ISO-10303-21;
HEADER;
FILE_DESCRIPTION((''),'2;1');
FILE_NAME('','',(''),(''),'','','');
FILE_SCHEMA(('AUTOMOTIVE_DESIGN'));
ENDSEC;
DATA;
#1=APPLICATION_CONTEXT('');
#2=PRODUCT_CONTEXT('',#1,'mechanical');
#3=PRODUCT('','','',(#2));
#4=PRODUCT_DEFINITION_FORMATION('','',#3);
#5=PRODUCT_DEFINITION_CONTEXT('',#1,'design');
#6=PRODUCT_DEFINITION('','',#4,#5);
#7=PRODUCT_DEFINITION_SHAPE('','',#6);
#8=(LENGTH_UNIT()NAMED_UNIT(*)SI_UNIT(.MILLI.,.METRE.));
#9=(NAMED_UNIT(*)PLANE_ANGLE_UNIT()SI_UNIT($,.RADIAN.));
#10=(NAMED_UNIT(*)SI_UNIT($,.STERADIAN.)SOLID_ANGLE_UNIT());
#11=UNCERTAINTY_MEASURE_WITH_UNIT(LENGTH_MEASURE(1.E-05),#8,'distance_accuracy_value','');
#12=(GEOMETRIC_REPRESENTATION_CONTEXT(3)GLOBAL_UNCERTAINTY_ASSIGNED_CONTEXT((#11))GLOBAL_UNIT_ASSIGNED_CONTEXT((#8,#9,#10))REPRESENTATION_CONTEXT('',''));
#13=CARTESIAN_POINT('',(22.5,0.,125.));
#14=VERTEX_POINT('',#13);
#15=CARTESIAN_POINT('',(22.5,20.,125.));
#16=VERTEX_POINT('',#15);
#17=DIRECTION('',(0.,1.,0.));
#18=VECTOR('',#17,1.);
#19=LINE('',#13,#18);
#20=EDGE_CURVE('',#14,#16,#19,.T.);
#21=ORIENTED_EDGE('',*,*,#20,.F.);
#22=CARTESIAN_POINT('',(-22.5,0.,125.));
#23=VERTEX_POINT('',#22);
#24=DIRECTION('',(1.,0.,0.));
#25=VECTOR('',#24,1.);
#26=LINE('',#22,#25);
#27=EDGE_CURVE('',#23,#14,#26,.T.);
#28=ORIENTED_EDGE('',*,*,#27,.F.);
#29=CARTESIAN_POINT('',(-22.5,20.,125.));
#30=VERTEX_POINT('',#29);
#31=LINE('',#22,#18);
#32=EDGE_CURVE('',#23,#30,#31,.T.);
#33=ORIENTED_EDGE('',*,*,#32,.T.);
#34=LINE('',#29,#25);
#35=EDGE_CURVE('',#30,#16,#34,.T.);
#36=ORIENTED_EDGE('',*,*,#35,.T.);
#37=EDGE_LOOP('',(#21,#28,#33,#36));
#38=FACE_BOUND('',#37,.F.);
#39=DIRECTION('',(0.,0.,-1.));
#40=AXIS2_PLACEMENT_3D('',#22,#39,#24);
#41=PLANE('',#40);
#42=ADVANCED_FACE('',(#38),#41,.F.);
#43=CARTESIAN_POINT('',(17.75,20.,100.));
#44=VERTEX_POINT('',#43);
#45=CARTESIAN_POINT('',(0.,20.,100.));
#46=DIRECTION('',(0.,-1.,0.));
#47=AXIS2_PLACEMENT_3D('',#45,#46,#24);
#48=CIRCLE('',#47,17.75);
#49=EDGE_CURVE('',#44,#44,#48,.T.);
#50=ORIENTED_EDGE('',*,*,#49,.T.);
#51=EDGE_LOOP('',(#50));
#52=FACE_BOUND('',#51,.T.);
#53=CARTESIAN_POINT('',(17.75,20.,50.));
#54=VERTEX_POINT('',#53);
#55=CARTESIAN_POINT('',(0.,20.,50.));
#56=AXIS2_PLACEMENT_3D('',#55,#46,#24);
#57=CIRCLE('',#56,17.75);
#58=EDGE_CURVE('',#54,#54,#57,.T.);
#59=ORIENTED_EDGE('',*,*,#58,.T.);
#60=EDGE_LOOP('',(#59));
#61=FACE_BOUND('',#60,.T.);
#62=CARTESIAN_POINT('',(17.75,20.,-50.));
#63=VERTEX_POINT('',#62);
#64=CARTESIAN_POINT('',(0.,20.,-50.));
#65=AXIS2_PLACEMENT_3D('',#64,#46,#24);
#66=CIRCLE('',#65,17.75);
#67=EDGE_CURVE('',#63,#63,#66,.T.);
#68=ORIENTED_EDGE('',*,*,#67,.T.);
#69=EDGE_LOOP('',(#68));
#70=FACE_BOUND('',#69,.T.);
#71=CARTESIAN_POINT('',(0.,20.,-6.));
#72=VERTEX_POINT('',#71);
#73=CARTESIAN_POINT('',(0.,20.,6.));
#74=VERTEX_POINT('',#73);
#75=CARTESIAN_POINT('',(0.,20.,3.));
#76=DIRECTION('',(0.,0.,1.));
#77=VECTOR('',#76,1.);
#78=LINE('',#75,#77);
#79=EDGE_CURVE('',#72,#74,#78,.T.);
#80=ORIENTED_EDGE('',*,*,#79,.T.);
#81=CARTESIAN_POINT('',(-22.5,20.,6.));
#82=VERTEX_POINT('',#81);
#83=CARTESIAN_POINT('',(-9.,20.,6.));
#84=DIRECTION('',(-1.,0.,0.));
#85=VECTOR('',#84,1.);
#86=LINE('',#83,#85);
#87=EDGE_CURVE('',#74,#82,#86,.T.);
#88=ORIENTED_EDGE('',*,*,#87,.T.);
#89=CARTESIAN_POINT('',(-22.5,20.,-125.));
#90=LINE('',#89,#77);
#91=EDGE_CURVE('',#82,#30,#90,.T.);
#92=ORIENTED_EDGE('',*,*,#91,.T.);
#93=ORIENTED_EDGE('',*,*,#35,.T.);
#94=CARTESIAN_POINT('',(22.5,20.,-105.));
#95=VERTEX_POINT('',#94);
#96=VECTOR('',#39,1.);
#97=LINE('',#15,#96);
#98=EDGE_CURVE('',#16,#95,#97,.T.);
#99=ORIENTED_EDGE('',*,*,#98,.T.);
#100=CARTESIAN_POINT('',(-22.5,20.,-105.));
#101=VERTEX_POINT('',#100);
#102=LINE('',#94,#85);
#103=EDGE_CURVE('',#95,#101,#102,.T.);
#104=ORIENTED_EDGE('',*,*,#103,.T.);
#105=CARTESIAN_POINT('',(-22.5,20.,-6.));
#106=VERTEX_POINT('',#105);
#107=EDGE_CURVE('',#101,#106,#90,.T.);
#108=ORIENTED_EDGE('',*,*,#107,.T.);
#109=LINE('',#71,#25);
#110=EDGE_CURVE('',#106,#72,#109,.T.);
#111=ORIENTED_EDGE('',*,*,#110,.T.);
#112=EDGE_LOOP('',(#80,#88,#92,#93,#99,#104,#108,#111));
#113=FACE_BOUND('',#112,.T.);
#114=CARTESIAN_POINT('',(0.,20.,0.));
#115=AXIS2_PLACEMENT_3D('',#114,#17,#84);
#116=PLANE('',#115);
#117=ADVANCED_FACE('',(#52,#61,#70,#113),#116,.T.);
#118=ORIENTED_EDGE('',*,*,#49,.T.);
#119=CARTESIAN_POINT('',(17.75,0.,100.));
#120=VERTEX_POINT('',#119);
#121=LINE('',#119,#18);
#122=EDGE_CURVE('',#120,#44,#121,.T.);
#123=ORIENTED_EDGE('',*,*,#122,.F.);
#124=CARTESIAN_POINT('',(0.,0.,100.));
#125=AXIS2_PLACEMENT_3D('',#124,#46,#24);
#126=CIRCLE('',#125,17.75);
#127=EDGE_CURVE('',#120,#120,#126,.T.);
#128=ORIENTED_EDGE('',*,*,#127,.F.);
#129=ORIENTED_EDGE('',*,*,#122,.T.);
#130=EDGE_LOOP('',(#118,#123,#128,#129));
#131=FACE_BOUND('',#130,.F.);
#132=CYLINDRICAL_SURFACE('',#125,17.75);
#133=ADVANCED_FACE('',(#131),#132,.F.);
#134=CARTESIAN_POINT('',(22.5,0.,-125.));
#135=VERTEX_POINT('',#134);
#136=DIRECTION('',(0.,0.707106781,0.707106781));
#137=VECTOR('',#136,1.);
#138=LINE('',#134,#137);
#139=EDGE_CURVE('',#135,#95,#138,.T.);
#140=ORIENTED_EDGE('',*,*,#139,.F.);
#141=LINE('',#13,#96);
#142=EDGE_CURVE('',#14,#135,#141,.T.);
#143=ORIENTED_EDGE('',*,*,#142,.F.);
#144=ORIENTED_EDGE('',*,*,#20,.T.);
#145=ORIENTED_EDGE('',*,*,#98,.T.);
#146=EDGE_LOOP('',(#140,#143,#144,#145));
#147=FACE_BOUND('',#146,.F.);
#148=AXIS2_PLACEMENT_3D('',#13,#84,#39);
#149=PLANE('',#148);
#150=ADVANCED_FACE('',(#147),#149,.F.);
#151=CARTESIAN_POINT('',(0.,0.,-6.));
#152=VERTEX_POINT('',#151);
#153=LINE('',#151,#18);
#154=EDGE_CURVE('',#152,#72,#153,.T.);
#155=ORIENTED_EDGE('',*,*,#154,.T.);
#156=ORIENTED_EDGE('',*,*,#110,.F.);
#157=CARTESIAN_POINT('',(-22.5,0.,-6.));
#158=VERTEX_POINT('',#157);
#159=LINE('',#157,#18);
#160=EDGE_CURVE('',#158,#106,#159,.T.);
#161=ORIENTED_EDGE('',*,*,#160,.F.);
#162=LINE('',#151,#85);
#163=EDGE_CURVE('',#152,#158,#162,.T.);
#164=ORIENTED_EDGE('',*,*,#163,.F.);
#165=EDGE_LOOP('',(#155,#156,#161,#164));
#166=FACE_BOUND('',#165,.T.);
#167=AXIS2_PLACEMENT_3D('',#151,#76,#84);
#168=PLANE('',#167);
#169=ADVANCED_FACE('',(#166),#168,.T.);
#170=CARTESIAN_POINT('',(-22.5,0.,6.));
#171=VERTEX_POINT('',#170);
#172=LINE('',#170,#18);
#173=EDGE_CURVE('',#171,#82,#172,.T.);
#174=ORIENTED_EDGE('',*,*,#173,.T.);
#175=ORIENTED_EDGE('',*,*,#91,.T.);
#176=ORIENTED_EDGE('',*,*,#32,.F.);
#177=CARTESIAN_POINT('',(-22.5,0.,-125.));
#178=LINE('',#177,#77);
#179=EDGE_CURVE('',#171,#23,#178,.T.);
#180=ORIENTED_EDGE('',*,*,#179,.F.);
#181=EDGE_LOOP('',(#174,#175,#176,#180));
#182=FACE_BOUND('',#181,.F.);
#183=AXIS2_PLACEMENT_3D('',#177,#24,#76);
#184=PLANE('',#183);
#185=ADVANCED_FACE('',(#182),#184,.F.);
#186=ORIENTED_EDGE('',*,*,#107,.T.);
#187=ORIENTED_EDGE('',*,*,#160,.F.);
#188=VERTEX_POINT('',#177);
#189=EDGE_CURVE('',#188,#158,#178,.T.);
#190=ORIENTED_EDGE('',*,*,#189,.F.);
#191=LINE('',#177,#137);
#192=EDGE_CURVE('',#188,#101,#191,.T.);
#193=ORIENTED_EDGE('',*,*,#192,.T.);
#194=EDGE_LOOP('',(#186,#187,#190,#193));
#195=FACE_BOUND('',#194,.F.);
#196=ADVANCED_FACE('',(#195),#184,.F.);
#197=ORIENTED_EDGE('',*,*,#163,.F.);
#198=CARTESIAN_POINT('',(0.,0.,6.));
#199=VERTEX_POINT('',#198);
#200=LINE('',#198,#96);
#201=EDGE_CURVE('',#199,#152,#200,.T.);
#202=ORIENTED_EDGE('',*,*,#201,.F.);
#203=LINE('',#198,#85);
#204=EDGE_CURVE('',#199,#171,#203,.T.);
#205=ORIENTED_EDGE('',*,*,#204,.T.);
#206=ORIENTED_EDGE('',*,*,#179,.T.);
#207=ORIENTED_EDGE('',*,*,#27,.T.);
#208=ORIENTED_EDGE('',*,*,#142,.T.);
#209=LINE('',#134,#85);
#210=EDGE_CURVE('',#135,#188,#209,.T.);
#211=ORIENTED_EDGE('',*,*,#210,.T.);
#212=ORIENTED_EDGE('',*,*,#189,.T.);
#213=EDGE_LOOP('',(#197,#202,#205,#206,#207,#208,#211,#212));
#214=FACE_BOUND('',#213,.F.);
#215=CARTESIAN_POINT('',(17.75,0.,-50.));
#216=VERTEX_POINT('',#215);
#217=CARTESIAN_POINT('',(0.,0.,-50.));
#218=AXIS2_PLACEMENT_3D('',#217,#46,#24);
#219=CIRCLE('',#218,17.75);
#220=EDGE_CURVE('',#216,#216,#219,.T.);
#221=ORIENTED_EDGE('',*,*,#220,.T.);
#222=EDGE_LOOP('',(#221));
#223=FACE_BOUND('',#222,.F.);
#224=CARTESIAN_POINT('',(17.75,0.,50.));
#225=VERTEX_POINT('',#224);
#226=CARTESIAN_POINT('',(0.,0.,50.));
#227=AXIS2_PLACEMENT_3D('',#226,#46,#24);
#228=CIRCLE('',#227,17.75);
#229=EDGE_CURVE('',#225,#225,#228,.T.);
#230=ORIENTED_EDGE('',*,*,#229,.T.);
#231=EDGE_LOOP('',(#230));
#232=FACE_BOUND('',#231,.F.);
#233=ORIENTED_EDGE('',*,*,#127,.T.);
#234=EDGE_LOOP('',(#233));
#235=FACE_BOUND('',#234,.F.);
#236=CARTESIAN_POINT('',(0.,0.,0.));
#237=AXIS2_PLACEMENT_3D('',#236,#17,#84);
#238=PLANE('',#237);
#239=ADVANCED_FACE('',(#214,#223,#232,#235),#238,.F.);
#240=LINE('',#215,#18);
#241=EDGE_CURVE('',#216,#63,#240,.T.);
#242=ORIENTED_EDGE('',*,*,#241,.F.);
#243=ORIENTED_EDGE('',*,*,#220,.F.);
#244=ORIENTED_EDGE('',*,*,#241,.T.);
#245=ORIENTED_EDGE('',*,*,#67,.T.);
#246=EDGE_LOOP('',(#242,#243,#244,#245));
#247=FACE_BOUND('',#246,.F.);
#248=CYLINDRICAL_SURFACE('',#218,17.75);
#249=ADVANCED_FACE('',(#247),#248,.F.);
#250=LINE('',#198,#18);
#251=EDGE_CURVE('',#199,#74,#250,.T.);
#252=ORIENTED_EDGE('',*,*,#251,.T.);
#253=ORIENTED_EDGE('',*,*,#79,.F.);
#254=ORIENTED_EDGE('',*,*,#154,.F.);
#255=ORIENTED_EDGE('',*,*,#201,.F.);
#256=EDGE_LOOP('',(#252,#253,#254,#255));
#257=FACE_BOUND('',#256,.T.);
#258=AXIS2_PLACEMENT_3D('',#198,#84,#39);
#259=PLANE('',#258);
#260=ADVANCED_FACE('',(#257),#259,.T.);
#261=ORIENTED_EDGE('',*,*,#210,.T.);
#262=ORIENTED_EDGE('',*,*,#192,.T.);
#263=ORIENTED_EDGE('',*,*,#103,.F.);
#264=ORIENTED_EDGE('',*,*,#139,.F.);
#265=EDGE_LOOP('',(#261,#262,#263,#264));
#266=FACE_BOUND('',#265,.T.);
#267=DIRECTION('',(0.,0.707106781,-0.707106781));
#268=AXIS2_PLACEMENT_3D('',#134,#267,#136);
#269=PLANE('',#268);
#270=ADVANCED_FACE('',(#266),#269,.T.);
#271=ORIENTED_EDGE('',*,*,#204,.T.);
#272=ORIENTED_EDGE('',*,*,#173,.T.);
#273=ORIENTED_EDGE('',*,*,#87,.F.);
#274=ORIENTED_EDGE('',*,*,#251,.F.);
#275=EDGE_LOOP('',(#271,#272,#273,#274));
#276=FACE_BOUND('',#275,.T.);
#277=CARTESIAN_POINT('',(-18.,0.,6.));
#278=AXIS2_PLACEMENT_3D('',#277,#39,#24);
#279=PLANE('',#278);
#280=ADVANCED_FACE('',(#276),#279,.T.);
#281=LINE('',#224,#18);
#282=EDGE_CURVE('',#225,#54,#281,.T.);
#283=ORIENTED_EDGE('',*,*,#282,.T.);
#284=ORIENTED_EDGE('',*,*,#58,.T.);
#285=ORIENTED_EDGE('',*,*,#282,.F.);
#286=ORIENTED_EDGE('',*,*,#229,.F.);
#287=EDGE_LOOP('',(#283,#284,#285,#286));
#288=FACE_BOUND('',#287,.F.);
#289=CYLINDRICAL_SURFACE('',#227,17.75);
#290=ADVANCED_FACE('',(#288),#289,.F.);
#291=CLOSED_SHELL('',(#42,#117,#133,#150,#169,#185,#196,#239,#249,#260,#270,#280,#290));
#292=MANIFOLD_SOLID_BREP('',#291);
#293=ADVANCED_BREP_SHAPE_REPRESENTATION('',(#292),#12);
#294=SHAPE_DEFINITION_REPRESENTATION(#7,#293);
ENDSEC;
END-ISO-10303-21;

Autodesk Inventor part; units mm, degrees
ref_plane "YZ Plane" through (0, 0, 0) normal (1, 0, 0) x (0, 1, 0)
ref_plane "XZ Plane" through (0, 0, 0) normal (0, 1, 0) x (-1, 0, 0)
ref_plane "XY Plane" through (0, 0, 0) normal (0, 0, 1) x (1, 0, 0)
sketch "Sketch1" plane through (0, 0, 0) normal (0, 1, 0) x (-1, 0, 0)
  line L0 (22.5, 125) -> (-22.5, 125)
  line L1 (-22.5, 125) -> (-22.5, -125)
  line L2 (-22.5, -125) -> (22.5, -125)
  line L3 (22.5, -125) -> (22.5, 125)
  line L4 (22.5, 125) -> (-22.5, -125) construction
  line L5 (-22.5, 125) -> (22.5, -125) construction
  point P0 (0, 0)
  dimension "d0" = 250
  dimension "d1" = 45
extrude "Extrusion1" add sketch "Sketch1" along normal blind 20
sketch "Sketch2" plane through (0, 0, 0) normal (0, -1, 0) x (1, 0, 0)
  circle A0 centre (0, 100) radius 17.75
  circle A1 centre (0, 50) radius 17.75
  circle A2 centre (0, -50) radius 17.75
  line L0 (0, 50) -> (0, -50) construction
  line L1 (0, 100) -> (0, 50) construction
  line L2 (0, 0) -> (0, 148) construction
  line L3 (-35.7491, 0) -> (26.8031, 0) construction
  line L4 (0, -6) -> (-22.5, -6)
  line L5 (-22.5, -6) -> (-22.5, 6)
  line L6 (-22.5, 6) -> (0, 6)
  line L7 (0, 6) -> (0, -6)
  line L8 (0, -6) -> (-22.5, 6) construction
  line L9 (-22.5, -6) -> (0, 6) construction
  line L10 (-18, 98) -> (-18, -100) projected
  line L11 (-22.5, 125) -> (22.5, 125) projected
  line L12 (-22.5, -125) -> (-22.5, 125) projected
  point P0 (0, 75)
  point P1 (-11.5, 0)
  point P2 (-11.25, 0)
  point P3 (-25, -148)
  point P4 (-16, 100)
  dimension "d9" = 35.5
  dimension "d10" = 35.5
  dimension "d11" = 35.5
  dimension "d12" = 50
  dimension "d13" = 100
  dimension "d16" = 12
  dimension "d36" = 25
sketch "Sketch4" plane through (22.5, 0, 125) normal (1, 0, 0) x (0, 0, -1)
  line L0 (250, 0) -> (230, 20)
  line L1 (0, 20) -> (250, 20) projected
  line L2 (250, 0) -> (250, 20)
  point P0 (125, 0)
  dimension "d29" = 45
extrude "Extrusion4" cut sketch "Sketch4" against normal through all
extrude "Extrusion5" cut sketch "Sketch2" against normal through all
equation "\"d9\" = d11"
equation "\"d10\" = d11"
equation "\"d13\" = 2 * d12"
properties part number "stand1" material "Wood (Walnut)"
